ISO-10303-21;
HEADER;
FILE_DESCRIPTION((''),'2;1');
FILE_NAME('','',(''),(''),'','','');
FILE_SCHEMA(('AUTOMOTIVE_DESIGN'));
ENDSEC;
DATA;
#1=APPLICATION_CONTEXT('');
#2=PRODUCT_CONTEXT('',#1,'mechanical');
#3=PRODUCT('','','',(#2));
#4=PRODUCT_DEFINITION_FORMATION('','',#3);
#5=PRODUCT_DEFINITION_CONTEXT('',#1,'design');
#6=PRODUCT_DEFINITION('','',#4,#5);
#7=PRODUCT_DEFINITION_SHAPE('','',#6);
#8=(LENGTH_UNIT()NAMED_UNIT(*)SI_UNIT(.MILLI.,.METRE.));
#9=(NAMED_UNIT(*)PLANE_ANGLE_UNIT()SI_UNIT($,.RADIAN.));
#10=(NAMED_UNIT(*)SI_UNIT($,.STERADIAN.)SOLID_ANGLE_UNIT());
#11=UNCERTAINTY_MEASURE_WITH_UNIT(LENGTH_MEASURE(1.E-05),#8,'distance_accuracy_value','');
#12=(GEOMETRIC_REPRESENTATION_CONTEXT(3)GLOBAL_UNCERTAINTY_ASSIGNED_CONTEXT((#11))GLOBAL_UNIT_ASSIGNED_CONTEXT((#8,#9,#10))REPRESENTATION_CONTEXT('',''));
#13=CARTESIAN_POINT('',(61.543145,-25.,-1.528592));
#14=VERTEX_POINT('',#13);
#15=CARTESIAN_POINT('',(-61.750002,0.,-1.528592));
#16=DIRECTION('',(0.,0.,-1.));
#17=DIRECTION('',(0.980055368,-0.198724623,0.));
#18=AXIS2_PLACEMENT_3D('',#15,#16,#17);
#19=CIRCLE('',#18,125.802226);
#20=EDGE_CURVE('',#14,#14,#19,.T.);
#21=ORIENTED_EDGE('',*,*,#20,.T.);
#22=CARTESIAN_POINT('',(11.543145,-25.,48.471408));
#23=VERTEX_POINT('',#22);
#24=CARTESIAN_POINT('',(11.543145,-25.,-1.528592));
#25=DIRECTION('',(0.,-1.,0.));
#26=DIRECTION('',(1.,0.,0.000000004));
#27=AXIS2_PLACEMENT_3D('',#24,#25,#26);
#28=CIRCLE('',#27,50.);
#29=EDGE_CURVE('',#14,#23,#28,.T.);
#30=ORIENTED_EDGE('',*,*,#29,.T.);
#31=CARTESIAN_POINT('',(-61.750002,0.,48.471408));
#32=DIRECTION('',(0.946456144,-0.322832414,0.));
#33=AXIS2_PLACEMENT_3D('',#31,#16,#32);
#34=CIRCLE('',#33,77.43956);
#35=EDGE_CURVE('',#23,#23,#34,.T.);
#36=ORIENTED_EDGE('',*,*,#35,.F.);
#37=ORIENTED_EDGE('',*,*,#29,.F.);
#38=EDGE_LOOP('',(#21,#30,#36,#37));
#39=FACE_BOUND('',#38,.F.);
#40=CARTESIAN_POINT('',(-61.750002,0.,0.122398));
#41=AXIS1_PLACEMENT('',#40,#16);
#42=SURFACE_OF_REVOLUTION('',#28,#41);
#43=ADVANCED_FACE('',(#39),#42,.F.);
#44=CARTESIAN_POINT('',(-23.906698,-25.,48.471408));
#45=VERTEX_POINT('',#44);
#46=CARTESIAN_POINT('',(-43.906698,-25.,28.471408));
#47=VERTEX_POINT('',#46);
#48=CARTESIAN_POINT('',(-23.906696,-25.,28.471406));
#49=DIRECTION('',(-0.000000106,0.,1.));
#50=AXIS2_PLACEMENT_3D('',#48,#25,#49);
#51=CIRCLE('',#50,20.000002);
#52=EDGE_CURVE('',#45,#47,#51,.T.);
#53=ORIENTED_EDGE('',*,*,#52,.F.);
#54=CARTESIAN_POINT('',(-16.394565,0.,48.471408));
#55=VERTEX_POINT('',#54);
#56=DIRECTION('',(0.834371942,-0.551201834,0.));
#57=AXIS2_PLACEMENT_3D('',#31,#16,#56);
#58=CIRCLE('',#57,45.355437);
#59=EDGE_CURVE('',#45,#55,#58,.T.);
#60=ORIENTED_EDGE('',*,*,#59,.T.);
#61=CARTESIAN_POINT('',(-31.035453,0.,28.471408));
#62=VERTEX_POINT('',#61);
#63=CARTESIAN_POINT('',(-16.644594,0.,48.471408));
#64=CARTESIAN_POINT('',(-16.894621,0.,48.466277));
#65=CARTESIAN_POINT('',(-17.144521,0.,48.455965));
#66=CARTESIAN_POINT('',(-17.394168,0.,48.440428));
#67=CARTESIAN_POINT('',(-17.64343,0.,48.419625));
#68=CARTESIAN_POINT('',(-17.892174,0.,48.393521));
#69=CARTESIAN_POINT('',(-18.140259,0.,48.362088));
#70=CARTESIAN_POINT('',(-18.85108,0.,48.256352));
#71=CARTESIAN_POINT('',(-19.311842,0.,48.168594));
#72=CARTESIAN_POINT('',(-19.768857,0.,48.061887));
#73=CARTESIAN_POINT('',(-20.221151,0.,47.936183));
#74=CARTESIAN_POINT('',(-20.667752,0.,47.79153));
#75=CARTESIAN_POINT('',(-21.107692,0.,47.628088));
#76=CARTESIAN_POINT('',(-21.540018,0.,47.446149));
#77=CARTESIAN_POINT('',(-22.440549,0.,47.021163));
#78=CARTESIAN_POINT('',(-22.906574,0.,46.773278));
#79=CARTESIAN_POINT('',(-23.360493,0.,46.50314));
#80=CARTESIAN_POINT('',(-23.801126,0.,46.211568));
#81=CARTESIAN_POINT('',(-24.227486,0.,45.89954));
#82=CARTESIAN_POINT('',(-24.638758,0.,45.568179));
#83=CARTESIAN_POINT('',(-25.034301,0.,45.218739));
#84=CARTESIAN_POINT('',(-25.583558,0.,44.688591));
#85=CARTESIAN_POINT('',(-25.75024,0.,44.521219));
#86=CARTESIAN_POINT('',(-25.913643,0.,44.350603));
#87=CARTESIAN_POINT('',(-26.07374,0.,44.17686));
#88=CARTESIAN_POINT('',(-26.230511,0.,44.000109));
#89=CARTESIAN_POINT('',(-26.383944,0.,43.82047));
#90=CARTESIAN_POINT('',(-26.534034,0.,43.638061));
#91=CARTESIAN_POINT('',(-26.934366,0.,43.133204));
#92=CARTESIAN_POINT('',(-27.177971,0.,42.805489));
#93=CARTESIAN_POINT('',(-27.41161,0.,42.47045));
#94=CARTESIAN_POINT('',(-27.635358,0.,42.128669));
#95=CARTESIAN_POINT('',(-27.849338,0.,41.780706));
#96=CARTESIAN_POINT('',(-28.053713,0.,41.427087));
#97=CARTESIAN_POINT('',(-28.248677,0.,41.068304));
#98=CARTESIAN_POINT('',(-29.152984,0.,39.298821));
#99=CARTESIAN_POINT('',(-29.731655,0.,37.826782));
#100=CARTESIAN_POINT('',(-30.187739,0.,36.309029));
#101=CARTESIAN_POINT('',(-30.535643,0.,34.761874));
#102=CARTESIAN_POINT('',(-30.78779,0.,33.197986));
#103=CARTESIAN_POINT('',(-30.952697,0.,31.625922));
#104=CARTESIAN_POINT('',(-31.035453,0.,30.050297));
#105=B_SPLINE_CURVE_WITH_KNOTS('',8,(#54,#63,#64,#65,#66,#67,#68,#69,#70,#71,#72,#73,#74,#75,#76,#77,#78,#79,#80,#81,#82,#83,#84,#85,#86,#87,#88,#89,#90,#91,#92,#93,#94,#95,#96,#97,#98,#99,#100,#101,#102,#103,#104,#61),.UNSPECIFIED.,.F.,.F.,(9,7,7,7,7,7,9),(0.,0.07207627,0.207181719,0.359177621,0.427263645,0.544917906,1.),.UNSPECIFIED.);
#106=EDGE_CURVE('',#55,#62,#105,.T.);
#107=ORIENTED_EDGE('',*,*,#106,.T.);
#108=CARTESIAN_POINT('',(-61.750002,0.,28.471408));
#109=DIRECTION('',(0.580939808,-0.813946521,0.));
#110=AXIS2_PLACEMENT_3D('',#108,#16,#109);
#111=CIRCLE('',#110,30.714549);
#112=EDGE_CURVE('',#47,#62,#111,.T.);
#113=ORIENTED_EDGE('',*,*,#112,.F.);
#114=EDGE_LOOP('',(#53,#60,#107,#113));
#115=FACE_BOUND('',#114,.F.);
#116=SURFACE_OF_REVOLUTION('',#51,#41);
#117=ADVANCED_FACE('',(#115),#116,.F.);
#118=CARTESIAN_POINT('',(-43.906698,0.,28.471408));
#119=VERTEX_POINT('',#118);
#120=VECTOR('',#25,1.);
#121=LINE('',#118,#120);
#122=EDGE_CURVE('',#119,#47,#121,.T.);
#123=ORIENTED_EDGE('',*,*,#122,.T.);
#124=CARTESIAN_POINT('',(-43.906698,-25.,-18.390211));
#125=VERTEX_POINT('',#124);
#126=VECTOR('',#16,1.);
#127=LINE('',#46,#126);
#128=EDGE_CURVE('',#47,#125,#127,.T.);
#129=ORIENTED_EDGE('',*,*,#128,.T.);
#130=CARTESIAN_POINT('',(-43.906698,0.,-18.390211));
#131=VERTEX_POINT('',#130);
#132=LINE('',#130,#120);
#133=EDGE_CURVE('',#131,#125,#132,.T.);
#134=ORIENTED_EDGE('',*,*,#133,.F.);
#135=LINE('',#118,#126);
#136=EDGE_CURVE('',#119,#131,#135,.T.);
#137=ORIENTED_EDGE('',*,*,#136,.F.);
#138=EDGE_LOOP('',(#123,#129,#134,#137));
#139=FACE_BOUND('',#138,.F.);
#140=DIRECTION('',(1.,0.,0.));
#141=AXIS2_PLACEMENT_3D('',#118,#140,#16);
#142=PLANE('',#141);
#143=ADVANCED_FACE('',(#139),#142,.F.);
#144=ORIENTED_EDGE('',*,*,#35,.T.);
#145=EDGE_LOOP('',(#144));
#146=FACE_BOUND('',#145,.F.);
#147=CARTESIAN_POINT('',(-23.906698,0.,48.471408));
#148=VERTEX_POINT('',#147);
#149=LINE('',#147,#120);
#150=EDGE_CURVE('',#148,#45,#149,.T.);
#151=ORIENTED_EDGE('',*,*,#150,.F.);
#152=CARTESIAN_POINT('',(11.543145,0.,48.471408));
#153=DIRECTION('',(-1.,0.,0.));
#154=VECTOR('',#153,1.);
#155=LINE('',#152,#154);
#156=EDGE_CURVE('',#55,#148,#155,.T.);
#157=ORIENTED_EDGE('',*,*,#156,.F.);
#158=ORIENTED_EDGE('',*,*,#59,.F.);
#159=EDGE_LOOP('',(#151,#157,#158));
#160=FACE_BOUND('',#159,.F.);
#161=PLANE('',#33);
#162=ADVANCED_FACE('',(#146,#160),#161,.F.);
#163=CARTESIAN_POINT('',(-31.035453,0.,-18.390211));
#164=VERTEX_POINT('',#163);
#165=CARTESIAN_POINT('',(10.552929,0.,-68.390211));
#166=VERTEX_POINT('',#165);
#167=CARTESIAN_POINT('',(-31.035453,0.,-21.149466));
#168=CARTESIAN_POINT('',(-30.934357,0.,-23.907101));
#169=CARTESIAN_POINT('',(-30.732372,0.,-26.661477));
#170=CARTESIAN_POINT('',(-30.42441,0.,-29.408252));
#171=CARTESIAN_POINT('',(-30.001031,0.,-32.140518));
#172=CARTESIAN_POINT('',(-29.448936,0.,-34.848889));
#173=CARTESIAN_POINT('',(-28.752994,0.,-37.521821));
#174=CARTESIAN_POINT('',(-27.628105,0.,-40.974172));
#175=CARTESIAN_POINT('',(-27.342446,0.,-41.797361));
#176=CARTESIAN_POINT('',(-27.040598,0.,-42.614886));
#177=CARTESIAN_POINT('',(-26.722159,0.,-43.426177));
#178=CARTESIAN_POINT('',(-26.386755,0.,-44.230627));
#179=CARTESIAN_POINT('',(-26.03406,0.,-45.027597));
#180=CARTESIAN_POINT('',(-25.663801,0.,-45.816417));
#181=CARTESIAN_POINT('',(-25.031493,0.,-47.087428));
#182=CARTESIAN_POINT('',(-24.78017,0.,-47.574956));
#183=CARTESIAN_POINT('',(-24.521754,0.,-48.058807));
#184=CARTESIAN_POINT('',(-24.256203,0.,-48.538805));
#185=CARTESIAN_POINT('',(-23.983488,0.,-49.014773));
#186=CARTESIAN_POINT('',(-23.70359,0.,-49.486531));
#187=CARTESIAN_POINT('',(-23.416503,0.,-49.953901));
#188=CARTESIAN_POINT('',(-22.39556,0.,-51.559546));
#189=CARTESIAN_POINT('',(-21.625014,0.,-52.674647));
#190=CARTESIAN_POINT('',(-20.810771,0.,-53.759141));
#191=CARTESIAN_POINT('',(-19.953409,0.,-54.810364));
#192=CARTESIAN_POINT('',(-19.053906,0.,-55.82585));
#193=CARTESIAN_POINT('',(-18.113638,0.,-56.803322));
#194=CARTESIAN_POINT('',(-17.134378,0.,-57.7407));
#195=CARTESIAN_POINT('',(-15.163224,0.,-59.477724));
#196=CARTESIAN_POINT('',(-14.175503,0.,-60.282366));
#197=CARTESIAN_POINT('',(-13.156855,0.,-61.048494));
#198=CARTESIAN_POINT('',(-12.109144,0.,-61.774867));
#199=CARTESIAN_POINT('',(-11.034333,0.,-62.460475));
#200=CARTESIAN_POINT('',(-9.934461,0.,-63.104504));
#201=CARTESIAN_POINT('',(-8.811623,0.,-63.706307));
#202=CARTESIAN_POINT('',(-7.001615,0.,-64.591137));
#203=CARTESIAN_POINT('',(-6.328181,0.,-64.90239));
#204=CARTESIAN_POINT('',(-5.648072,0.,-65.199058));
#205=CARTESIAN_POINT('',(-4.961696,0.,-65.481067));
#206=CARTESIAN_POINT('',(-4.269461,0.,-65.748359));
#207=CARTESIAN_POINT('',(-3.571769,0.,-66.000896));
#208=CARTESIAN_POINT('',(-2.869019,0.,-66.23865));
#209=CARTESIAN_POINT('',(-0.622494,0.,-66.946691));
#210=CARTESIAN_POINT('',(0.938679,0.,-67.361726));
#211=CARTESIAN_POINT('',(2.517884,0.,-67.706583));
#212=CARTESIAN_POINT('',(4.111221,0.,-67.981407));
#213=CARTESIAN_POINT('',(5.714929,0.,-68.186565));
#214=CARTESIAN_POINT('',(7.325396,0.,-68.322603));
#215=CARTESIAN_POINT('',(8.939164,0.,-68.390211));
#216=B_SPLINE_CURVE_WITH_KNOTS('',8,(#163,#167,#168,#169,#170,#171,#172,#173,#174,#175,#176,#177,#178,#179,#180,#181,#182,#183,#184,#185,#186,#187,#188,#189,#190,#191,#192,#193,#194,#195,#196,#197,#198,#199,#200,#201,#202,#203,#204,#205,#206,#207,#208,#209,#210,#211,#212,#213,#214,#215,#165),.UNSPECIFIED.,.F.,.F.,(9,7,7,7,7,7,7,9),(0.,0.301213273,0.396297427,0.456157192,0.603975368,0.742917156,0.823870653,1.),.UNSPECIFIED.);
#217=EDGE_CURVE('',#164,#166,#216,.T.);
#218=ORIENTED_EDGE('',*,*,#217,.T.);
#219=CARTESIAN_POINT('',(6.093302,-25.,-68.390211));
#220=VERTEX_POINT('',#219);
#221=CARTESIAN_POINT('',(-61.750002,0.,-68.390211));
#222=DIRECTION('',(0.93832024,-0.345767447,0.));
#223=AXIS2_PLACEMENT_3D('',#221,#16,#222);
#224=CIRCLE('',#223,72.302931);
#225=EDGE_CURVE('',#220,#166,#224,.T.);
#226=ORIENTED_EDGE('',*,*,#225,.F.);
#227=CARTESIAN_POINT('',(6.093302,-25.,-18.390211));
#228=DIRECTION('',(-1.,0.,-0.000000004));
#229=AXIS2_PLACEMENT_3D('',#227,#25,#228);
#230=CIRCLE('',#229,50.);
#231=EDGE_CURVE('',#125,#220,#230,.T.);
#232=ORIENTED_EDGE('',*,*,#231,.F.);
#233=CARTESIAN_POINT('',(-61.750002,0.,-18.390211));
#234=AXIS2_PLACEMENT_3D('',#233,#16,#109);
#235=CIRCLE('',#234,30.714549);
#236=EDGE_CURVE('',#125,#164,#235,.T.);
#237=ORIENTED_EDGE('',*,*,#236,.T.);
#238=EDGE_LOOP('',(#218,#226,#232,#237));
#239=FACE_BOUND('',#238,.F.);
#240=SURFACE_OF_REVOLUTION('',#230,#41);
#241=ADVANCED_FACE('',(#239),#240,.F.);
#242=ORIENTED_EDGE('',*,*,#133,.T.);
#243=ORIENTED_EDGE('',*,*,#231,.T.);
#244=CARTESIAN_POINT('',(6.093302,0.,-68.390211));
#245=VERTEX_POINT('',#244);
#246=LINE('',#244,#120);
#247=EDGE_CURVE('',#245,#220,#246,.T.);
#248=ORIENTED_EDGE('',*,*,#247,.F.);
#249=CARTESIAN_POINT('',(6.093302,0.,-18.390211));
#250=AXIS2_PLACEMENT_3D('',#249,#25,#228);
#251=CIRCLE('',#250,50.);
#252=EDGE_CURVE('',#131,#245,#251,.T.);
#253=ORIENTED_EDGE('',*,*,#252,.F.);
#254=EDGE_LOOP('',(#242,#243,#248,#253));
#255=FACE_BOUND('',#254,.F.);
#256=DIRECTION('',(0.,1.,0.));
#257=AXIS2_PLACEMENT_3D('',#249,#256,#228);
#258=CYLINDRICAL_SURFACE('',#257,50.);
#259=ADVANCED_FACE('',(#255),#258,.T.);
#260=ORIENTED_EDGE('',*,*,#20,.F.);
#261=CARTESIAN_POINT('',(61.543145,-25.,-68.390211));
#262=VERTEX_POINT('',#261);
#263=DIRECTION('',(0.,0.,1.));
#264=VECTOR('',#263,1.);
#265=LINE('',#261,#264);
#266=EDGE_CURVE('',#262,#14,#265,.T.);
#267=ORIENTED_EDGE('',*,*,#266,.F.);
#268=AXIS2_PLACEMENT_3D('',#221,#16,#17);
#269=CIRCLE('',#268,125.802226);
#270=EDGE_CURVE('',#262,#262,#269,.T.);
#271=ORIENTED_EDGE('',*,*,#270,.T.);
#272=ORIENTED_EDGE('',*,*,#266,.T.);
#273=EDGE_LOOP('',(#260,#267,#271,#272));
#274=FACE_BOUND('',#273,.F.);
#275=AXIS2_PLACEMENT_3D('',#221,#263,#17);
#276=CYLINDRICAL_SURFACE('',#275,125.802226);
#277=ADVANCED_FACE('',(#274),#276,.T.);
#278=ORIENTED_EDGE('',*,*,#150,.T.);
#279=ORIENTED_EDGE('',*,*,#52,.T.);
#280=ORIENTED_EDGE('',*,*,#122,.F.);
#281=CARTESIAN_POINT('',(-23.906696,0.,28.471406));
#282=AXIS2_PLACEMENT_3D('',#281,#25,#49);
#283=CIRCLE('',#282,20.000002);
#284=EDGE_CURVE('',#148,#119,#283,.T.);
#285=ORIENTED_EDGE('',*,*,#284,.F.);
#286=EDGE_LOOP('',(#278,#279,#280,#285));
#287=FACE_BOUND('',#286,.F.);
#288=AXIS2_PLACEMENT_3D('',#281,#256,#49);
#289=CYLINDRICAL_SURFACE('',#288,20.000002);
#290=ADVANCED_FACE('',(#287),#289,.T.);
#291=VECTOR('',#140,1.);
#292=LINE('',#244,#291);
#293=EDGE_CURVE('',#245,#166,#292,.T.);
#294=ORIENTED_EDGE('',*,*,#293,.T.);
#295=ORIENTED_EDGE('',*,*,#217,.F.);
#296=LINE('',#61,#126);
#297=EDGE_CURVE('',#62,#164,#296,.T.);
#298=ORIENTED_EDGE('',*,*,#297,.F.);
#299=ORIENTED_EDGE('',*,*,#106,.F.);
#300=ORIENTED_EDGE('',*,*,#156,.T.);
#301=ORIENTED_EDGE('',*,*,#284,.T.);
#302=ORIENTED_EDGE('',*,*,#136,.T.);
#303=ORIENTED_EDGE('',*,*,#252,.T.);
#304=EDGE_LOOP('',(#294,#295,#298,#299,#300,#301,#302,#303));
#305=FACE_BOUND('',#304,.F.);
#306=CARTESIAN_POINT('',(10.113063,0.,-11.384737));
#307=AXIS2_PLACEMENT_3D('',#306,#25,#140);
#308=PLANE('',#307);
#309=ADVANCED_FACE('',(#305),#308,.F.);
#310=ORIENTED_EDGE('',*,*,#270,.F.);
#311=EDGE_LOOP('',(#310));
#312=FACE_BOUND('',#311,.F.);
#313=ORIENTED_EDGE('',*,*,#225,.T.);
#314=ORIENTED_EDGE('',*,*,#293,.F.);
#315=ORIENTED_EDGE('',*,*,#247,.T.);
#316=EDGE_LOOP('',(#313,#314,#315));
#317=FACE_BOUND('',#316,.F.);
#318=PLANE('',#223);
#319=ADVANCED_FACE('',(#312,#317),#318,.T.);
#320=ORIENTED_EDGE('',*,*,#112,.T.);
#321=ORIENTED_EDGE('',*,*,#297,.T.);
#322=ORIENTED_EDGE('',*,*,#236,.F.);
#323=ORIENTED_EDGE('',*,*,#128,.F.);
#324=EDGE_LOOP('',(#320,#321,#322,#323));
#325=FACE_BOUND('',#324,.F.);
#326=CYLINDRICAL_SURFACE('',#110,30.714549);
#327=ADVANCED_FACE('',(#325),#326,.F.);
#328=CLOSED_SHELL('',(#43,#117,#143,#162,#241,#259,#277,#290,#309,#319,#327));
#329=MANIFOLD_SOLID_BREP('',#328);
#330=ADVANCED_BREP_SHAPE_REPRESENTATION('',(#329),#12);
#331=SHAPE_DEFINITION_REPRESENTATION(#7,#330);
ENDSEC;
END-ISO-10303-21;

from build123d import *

# Parameters (mm, degrees)
F1_DEPTH = 25


with BuildPart() as f1:
    # F0 (on Front) → F1 (new body)
    with BuildSketch(Plane.XZ):
        with BuildLine():
            Line((11.543145, 48.471408), (-23.906698, 48.471408))
            ThreePointArc((-23.906698, 48.471408), (-38.048833, 42.613543), (-43.906698, 28.471408))
            Line((-43.906698, 28.471408), (-43.906698, -18.390211))
            ThreePointArc((-43.906698, -18.390211), (-29.262037, -53.74555), (6.093302, -68.390211))
            Line((6.093302, -68.390211), (61.543145, -68.390211))
            Line((61.543145, -68.390211), (61.543145, -1.528592))
            ThreePointArc((61.543145, -1.528592), (46.898484, 33.826747), (11.543145, 48.471408))
        make_face()
    extrude(amount=F1_DEPTH)

    # F1_face (on face) → F3 (revolve)
    with BuildSketch(Plane(origin=(9.189273, -25, -10.374323), x_dir=(1, 0, 0), z_dir=(0, -1, 0))):
        with BuildLine():
            ThreePointArc((52.353872, 8.845731), (37.709211, 44.20107), (2.353872, 58.845731))
            Line((2.353872, 58.845731), (-33.095971, 58.845731))
            ThreePointArc((-33.095971, 58.845731), (-47.238106, 52.987866), (-53.095971, 38.845731))
            Line((-53.095971, 38.845731), (-53.095971, -8.015888))
            ThreePointArc((-53.095971, -8.015888), (-38.45131, -43.371227), (-3.095971, -58.015888))
            Line((-3.095971, -58.015888), (52.353872, -58.015888))
            Line((52.353872, -58.015888), (52.353872, 8.845731))
        make_face()
    revolve(axis=Axis((-61.750002, 0, 0.122398), (0, 0, -1)))


solid = f1.part
